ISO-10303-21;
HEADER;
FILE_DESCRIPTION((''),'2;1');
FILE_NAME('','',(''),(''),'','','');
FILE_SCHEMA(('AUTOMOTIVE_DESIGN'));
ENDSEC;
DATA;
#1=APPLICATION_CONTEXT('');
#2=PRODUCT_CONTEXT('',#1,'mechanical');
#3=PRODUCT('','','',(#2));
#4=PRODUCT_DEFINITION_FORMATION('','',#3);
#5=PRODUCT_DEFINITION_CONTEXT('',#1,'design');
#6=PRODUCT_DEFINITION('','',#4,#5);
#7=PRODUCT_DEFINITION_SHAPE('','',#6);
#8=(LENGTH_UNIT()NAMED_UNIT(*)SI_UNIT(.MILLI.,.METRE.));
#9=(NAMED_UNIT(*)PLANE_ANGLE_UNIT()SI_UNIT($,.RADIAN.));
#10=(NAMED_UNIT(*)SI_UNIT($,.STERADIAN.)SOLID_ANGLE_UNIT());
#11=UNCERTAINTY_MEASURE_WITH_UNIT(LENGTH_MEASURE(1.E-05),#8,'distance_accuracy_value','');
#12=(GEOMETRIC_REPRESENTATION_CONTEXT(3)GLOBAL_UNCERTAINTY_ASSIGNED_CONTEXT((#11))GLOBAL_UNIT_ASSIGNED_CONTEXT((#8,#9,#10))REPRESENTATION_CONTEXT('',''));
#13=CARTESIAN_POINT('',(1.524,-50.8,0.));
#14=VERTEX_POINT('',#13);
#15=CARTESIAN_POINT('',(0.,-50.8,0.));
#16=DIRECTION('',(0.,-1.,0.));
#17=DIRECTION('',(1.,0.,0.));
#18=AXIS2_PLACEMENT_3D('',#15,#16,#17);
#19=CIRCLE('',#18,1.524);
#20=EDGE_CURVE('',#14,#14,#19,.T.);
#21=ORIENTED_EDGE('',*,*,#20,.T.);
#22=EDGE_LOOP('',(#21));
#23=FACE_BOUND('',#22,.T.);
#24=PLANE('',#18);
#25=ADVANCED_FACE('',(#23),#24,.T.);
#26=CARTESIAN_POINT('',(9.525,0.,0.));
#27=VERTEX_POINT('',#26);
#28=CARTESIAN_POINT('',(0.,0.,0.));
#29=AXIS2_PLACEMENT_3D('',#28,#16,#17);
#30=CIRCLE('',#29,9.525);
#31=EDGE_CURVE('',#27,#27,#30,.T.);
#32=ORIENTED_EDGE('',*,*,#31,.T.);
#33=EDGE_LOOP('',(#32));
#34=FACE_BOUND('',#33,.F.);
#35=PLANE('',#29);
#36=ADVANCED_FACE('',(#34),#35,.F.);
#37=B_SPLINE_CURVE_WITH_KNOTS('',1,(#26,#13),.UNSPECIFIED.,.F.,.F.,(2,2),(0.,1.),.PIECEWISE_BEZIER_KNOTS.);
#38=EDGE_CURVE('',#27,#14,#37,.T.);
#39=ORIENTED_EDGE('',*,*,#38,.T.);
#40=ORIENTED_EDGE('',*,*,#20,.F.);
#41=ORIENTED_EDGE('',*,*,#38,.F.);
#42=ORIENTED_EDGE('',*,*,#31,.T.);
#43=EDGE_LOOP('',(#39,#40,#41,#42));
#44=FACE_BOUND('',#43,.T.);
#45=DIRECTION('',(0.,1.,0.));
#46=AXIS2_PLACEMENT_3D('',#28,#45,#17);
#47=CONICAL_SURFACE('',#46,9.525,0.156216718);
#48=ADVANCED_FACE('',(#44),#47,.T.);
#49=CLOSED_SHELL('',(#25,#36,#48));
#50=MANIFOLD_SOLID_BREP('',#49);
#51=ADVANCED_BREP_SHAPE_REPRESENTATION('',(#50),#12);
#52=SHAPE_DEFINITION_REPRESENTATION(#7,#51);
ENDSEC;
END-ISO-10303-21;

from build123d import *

# Parameters (mm, degrees)
F0_R = 9.525
F2_R = 1.524


with BuildPart() as f3:
    # F0 (on Front) → F3 section 0
    with BuildSketch(Plane.XZ):
        Circle(F0_R)
    # F2 (on offset) → F3 section 1
    with BuildSketch(Plane.XZ.offset(50.8)):
        Circle(F2_R)
    loft()


solid = f3.part
